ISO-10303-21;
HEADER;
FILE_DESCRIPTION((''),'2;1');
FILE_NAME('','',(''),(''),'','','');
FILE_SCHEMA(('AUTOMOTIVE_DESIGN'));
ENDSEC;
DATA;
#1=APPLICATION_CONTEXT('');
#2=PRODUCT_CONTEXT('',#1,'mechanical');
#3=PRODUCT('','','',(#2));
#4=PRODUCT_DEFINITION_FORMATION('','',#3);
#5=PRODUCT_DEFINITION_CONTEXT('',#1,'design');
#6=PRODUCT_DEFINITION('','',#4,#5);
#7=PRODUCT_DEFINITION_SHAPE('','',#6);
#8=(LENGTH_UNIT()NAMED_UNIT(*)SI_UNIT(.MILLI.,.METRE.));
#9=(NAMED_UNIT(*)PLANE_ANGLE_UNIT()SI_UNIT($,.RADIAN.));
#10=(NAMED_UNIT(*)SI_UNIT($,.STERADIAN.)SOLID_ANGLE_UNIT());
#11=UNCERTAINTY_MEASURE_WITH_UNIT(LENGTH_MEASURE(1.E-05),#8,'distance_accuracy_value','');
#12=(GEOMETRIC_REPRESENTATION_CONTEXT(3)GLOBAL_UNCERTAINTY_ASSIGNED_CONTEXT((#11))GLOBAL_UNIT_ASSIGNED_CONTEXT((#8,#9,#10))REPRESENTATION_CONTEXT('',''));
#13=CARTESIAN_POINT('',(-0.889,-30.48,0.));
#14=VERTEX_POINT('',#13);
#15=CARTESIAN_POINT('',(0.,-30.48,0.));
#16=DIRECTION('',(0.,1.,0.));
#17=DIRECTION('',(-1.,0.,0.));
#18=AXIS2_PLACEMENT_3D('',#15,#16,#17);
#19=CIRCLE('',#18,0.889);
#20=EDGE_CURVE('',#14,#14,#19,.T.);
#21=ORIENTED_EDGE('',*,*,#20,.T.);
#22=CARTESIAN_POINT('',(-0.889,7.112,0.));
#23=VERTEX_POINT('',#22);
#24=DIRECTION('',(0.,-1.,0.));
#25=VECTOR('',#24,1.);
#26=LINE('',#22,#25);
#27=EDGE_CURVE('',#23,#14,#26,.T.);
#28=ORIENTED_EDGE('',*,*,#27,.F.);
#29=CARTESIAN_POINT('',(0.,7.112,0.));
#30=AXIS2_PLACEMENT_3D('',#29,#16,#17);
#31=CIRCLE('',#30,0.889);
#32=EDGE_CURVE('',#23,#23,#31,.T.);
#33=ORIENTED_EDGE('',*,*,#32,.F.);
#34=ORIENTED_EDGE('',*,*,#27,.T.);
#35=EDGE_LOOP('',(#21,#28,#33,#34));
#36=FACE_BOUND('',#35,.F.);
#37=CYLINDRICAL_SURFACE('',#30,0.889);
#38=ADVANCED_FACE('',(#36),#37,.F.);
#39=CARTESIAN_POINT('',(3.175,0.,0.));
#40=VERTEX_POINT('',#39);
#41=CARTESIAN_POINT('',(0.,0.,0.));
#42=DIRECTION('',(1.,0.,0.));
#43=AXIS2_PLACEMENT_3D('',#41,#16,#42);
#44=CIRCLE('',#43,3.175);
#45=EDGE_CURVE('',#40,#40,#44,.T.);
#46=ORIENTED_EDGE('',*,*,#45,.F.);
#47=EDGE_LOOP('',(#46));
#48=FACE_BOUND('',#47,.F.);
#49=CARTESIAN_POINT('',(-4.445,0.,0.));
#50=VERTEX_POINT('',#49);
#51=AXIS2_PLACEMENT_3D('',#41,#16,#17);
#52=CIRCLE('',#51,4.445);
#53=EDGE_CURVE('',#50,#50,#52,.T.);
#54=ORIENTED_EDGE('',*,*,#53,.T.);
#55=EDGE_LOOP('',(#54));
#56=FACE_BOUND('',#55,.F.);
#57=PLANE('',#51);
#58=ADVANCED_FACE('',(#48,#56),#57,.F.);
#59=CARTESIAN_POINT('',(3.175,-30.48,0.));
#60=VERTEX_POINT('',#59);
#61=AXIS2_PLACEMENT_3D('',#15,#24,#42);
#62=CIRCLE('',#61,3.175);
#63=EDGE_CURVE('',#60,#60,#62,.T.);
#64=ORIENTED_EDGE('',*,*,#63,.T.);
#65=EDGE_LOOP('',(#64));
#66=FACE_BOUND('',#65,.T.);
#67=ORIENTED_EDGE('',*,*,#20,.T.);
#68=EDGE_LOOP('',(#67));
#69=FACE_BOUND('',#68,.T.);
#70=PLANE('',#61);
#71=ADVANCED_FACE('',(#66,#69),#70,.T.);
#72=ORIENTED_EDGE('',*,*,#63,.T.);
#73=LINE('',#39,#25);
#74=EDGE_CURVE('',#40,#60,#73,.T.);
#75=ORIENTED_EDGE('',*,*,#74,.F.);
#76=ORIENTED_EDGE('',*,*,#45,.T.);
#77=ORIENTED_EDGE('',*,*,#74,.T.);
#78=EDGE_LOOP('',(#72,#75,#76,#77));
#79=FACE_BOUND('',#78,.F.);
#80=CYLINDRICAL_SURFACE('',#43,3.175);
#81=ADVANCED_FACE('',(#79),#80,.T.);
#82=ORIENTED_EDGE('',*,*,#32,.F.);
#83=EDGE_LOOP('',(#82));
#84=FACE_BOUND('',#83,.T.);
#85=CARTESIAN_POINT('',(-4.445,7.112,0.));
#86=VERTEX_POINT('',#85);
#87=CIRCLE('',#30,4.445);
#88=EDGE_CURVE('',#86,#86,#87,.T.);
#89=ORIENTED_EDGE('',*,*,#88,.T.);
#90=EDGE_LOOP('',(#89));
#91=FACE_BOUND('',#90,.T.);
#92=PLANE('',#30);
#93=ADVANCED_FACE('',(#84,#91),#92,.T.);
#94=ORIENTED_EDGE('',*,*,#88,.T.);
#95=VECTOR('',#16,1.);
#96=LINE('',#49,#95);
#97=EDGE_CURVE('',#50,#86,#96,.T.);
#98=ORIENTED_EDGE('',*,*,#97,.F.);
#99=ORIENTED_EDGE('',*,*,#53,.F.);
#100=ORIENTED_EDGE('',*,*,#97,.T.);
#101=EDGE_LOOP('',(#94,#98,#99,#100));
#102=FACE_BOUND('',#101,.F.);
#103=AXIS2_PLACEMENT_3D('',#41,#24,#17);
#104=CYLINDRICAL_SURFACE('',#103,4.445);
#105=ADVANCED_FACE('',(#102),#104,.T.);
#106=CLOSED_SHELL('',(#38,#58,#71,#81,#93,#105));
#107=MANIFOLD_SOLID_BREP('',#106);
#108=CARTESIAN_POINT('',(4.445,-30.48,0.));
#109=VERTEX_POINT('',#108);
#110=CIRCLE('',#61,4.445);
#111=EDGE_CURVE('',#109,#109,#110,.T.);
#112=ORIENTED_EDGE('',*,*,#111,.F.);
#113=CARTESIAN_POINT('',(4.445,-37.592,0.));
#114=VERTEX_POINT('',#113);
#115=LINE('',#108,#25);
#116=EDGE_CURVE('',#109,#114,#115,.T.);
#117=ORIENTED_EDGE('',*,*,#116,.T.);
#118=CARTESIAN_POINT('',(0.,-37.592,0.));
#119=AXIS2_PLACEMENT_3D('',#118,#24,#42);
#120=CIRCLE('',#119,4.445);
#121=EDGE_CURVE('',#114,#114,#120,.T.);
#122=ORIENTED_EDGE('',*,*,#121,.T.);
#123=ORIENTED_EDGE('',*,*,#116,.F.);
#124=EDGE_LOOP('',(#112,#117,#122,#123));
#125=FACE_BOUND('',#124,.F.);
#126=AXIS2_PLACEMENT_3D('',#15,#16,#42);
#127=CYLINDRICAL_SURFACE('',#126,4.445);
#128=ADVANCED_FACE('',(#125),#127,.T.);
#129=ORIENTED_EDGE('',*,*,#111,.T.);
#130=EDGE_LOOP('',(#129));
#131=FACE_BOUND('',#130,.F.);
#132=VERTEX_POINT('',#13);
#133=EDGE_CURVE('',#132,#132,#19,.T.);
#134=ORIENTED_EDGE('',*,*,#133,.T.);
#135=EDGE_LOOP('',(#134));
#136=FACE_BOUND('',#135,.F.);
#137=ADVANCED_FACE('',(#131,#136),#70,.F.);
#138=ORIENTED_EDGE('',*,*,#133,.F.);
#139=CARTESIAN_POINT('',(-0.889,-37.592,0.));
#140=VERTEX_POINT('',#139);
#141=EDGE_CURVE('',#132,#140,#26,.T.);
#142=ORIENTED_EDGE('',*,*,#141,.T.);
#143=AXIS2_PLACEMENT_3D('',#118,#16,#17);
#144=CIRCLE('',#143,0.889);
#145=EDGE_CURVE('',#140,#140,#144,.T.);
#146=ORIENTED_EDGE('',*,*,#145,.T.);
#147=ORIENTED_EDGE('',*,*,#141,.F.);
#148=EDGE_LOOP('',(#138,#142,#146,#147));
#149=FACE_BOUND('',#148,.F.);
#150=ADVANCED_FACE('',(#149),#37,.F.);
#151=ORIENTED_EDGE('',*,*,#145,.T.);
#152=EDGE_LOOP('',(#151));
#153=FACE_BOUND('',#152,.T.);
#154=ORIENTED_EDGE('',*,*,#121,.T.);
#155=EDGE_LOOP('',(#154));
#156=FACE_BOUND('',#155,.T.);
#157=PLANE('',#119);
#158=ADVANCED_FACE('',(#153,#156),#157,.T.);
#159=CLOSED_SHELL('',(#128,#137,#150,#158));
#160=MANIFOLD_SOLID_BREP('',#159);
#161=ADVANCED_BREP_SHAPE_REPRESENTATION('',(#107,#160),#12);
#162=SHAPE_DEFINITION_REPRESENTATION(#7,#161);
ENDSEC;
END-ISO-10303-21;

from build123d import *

# Parameters (mm, degrees)
F0_R     = 3.175
F1_DEPTH = 30.48
F3_R     = 4.445
F3_R_2   = 3.175
F4_DEPTH = 7.112
F2_R     = 3.175
F5_R     = 4.445
F5_R_2   = 3.175
F6_DEPTH = 7.112
F7_R     = 0.889
F8_DEPTH = 66.294


with BuildPart() as f1:
    # F0 (on Front) → F1 (new body)
    with BuildSketch(Plane.XZ):
        Circle(F0_R)
    extrude(amount=F1_DEPTH)

    # F2 (on face) + F5 (on face) → F6 (join)
    with BuildSketch(Plane(origin=(0, 0, 0), x_dir=(-1, 0, 0), z_dir=(0, 1, 0))):
        Circle(F2_R)
    with BuildSketch(Plane(origin=(0, 0, 0), x_dir=(-1, 0, 0), z_dir=(0, 1, 0))):
        Circle(F5_R)
        Circle(F5_R_2, mode=Mode.SUBTRACT)
    extrude(amount=F6_DEPTH)


with BuildPart() as f4:
    # F3 (on face) → F4 (new body)
    with BuildSketch(Plane.XZ.offset(30.48)):
        Circle(F3_R)
        Circle(F3_R_2, mode=Mode.SUBTRACT)
        Circle(F3_R_2)
    extrude(amount=F4_DEPTH)


with BuildPart() as f8_tool:
    # F7 (on face) → F8 (new body)
    with BuildSketch(Plane(origin=(0, 7.112, 0), x_dir=(-1, 0, 0), z_dir=(0, 1, 0))):
        Circle(F7_R)
    extrude(amount=-F8_DEPTH)


with BuildPart() as f1_1:
    add(f1.part)

    # F8: cut by f8_tool
    add(f8_tool.part, mode=Mode.SUBTRACT)


with BuildPart() as f4_1:
    add(f4.part)

    # F8: cut by f8_tool
    add(f8_tool.part, mode=Mode.SUBTRACT)


solid = Compound([f1_1.part, f4_1.part])
